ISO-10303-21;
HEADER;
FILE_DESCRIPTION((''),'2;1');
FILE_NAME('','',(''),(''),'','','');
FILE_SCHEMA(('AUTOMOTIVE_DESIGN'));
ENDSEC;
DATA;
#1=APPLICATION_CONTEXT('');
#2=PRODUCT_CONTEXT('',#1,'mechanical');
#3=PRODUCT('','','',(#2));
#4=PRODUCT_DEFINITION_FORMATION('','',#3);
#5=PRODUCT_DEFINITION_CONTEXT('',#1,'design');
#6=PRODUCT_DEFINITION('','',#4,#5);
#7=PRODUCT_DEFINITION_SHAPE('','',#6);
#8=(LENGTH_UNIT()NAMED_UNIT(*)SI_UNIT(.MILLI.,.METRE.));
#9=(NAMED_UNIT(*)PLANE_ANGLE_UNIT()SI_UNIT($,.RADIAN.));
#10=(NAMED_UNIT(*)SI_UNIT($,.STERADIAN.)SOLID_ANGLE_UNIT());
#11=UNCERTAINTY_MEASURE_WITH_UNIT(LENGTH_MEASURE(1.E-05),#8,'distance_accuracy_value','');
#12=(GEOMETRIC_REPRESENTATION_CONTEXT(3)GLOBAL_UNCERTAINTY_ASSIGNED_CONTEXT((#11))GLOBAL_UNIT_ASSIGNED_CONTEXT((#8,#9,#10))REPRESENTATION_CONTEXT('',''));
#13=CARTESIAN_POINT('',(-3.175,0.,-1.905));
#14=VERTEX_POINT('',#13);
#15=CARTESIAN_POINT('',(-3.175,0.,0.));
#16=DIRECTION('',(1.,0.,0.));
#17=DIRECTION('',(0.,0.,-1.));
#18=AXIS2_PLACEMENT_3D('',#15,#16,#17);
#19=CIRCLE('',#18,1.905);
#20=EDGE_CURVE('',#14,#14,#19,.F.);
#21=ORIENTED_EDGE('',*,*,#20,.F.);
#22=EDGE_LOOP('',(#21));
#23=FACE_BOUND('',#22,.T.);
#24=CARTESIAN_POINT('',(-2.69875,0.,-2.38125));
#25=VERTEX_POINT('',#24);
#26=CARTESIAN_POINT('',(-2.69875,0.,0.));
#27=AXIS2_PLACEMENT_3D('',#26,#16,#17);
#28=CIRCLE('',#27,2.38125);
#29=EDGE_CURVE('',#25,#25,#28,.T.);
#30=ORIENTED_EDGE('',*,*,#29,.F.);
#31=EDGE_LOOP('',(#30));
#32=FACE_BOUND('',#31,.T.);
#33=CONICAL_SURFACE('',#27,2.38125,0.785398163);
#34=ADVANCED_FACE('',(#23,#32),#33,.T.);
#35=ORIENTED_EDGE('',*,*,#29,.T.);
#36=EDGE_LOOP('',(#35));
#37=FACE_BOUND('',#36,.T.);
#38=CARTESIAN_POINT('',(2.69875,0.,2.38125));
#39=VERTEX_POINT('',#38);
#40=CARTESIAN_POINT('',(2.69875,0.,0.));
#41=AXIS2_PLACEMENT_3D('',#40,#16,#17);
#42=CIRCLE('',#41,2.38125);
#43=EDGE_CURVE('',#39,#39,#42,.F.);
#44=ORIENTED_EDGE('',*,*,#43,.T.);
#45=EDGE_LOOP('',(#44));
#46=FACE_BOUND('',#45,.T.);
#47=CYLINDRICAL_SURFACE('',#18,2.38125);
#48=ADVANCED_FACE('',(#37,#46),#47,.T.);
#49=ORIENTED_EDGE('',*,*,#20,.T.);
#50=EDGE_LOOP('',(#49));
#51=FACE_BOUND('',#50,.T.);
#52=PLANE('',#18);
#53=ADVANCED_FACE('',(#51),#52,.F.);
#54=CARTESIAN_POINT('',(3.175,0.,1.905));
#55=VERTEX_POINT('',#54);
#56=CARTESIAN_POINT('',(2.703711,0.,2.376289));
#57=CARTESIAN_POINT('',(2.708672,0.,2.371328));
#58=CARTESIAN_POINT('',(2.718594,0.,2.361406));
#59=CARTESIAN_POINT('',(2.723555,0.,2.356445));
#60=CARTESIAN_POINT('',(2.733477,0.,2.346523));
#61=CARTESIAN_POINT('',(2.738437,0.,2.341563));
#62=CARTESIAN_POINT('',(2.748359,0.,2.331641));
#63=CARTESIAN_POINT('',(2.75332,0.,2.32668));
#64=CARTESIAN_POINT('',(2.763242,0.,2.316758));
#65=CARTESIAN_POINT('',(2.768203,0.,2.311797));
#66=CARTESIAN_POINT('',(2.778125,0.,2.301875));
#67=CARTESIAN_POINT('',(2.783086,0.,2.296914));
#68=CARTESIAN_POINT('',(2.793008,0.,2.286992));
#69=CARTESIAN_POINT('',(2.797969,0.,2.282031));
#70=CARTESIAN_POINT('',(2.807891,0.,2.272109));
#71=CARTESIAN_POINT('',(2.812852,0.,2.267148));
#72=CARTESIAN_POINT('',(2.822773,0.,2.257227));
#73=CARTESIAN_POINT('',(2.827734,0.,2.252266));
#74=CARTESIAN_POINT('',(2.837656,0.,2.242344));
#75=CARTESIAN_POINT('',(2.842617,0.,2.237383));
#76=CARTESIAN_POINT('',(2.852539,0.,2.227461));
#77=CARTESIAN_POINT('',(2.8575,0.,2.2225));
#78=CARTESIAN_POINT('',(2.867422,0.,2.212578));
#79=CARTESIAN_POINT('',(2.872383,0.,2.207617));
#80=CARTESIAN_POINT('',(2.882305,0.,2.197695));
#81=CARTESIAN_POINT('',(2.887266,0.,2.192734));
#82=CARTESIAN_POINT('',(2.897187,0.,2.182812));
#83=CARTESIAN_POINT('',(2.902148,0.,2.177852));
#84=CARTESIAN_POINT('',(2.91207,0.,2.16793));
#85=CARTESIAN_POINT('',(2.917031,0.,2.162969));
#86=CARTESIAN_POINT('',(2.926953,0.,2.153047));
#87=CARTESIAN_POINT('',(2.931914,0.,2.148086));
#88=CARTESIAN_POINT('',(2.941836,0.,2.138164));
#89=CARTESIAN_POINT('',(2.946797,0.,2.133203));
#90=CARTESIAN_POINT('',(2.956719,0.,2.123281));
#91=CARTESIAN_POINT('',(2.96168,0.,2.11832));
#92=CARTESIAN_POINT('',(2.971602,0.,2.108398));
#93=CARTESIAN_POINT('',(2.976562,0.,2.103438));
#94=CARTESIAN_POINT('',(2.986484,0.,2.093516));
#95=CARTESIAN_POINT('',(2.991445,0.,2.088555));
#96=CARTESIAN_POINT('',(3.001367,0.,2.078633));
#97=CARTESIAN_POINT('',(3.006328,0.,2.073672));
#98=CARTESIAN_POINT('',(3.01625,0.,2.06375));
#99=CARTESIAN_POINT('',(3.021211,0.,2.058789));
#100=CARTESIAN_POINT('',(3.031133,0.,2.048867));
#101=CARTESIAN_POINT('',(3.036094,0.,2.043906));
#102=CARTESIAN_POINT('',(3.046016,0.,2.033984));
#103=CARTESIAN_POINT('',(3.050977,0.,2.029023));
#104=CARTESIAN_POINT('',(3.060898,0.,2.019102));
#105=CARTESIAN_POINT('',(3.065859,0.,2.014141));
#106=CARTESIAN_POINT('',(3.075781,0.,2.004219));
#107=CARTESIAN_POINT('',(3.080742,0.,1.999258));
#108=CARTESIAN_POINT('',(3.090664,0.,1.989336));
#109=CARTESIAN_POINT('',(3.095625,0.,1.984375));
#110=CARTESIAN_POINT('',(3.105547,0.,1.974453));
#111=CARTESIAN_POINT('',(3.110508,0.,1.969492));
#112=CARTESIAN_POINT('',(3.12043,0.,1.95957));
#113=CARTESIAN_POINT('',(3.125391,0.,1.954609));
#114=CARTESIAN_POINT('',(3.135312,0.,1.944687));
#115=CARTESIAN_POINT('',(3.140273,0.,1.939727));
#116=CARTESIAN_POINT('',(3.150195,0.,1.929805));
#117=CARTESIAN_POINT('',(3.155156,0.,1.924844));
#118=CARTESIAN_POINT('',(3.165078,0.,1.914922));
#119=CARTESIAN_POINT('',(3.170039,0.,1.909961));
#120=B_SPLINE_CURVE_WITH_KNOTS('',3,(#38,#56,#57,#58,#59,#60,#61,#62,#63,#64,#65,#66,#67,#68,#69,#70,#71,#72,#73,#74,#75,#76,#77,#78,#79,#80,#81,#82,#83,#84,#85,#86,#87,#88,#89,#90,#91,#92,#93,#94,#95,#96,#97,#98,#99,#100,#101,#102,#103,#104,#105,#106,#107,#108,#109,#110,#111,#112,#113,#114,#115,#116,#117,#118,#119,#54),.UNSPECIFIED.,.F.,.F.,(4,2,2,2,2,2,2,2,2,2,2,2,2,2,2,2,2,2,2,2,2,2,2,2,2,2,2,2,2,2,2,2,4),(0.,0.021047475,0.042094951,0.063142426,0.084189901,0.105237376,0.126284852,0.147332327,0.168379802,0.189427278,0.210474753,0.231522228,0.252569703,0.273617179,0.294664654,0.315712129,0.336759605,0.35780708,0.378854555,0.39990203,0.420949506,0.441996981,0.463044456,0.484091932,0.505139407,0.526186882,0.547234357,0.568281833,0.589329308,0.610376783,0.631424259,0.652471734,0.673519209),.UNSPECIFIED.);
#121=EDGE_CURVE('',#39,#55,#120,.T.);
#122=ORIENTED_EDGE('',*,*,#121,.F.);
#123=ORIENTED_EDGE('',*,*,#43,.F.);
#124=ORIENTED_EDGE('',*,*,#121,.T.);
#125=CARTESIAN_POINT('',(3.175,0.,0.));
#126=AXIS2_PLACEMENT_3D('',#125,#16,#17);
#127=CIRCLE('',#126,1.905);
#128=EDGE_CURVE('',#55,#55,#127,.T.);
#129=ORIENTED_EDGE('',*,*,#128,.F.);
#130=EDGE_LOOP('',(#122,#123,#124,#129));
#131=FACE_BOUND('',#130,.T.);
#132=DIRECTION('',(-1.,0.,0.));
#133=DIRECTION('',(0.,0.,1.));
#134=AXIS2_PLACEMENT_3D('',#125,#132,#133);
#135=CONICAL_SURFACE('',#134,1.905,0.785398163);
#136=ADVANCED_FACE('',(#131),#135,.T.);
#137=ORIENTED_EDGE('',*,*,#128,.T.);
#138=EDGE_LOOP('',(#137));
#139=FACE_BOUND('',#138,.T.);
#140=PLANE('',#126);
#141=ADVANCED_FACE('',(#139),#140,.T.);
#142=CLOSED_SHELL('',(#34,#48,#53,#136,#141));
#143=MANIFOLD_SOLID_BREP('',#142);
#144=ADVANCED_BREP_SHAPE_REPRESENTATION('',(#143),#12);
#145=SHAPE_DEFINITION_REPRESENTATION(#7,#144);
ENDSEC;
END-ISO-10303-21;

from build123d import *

# Parameters (mm, degrees)
EXTRUDE1_DEPTH      = 3.175
EXTRUDE1_DEPTH_BACK = 3.175
SKETCH2_R           = 2.38125
CHAMFER1_SIZE       = 0.47625


with BuildPart() as part:
    # Sketch2 → Extrude1 (new, two sides: drawn at the far end of the back side and taken through both)
    with BuildSketch(Plane(origin=(0, 0, 0), x_dir=(0, 0, -1), z_dir=(1, 0, 0)).offset(-EXTRUDE1_DEPTH_BACK)):
        Circle(SKETCH2_R)
    extrude(amount=EXTRUDE1_DEPTH + EXTRUDE1_DEPTH_BACK)

    # Chamfer1
    chamfer1_edges = [part.edges().sort_by_distance(p)[0] for p in [
        (-3.175, 0, 2.38125),
        (3.175, 0, 2.38125),
    ]]
    chamfer(chamfer1_edges, length=CHAMFER1_SIZE)


solid = part.part
